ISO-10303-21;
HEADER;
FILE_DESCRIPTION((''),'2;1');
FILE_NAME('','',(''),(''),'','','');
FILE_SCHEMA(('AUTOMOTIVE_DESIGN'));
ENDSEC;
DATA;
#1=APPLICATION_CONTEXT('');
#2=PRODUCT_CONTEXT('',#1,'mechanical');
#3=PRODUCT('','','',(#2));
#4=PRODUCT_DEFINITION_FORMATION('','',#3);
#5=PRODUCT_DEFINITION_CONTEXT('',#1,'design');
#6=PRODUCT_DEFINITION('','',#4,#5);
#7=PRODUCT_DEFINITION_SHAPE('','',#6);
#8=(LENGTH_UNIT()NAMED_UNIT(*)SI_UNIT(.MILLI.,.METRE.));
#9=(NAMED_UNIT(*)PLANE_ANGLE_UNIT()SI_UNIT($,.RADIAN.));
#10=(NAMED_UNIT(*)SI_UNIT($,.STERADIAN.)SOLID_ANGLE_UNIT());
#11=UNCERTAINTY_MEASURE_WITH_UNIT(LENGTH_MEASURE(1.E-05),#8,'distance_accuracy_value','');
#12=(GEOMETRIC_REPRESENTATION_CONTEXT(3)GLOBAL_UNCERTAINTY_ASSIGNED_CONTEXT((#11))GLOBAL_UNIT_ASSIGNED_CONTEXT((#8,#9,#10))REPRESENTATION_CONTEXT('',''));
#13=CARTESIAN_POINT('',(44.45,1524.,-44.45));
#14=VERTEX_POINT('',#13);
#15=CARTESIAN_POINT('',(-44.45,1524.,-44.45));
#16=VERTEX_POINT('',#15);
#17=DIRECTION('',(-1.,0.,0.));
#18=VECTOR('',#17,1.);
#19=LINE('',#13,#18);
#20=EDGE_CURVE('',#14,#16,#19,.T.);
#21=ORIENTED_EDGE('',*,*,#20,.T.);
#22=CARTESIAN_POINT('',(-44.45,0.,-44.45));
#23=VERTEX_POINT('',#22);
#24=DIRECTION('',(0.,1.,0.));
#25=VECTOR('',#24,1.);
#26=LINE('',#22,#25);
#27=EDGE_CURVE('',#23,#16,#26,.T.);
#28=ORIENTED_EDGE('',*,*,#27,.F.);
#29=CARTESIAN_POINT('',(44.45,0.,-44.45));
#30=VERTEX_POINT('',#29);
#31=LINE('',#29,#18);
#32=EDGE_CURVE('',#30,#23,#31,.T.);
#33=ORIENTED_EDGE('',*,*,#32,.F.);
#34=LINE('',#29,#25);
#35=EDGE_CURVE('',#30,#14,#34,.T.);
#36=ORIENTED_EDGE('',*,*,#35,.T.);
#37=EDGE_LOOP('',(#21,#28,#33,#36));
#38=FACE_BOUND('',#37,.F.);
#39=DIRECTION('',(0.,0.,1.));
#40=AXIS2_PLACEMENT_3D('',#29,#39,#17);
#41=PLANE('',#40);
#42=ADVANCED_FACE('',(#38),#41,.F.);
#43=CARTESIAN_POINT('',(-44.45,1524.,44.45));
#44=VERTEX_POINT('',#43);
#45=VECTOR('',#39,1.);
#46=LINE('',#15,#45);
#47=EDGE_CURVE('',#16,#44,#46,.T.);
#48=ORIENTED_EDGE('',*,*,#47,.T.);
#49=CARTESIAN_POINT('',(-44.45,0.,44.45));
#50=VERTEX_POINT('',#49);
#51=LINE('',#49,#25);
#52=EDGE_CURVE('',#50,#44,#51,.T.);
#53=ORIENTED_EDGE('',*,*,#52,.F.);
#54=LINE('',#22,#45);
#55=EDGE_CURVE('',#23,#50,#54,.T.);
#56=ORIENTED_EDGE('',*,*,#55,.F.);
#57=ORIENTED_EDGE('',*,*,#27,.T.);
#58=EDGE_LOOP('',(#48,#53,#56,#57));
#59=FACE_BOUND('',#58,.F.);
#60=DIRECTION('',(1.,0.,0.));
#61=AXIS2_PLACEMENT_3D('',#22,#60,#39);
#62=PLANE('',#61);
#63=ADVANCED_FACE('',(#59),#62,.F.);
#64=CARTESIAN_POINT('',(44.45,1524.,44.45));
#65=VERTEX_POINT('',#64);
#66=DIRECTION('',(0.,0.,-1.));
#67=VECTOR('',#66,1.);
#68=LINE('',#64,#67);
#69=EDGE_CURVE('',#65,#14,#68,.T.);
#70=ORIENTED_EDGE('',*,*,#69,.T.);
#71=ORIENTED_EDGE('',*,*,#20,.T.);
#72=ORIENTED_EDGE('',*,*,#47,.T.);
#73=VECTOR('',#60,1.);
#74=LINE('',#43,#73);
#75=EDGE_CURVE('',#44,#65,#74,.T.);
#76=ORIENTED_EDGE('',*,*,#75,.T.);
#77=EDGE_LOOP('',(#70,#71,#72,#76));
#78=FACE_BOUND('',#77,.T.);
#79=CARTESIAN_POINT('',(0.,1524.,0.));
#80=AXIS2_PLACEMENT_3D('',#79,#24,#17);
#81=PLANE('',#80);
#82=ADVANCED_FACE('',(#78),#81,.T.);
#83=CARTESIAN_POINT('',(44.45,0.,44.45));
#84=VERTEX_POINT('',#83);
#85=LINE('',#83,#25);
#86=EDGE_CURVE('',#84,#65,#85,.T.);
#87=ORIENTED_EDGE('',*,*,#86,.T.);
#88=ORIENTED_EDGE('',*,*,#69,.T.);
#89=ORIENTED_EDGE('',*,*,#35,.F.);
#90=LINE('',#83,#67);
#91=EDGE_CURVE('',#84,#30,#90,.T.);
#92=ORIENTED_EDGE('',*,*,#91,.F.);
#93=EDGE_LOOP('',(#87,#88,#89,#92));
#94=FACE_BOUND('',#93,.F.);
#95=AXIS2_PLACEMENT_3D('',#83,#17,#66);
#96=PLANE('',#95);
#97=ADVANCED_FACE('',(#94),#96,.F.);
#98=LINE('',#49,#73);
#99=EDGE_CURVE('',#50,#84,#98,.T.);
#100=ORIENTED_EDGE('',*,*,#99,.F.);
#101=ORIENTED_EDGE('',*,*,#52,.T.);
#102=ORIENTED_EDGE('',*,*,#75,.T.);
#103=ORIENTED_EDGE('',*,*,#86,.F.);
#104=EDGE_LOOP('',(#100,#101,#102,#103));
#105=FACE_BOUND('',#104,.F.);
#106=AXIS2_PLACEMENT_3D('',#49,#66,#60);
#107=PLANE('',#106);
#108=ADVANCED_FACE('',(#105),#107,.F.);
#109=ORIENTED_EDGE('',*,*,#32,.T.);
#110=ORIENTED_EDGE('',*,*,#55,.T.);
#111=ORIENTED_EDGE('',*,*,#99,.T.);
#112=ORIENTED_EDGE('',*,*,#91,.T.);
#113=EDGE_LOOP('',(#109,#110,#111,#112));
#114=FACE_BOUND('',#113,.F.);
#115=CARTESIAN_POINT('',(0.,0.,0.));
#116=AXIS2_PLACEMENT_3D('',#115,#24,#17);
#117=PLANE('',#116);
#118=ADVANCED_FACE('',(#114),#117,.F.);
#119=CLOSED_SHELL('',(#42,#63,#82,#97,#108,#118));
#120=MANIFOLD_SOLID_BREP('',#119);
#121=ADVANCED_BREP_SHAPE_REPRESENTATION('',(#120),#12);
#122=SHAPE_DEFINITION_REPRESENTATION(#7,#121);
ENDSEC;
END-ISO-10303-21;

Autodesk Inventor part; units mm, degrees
ref_plane "YZ Plane" through (0, 0, 0) normal (1, 0, 0) x (0, 1, 0)
ref_plane "XZ Plane" through (0, 0, 0) normal (0, 1, 0) x (-1, 0, 0)
ref_plane "XY Plane" through (0, 0, 0) normal (0, 0, 1) x (1, 0, 0)
sketch "Sketch1" plane through (0, 0, 0) normal (0, 1, 0) x (-1, 0, 0)
  line L0 (-44.45, 44.45) -> (-44.45, -44.45)
  line L1 (-44.45, -44.45) -> (44.45, -44.45)
  line L2 (44.45, -44.45) -> (44.45, 44.45)
  line L3 (44.45, 44.45) -> (-44.45, 44.45)
  line L4 (-44.45, 44.45) -> (44.45, -44.45) construction
  line L5 (-44.45, -44.45) -> (44.45, 44.45) construction
  point P0 (0, 0)
  dimension "d0" = 88.9
extrude "Extrusion1" add sketch "Sketch1" along normal blind 1524
properties part number "Rear Post South Side" material "Wood (Birch)"
